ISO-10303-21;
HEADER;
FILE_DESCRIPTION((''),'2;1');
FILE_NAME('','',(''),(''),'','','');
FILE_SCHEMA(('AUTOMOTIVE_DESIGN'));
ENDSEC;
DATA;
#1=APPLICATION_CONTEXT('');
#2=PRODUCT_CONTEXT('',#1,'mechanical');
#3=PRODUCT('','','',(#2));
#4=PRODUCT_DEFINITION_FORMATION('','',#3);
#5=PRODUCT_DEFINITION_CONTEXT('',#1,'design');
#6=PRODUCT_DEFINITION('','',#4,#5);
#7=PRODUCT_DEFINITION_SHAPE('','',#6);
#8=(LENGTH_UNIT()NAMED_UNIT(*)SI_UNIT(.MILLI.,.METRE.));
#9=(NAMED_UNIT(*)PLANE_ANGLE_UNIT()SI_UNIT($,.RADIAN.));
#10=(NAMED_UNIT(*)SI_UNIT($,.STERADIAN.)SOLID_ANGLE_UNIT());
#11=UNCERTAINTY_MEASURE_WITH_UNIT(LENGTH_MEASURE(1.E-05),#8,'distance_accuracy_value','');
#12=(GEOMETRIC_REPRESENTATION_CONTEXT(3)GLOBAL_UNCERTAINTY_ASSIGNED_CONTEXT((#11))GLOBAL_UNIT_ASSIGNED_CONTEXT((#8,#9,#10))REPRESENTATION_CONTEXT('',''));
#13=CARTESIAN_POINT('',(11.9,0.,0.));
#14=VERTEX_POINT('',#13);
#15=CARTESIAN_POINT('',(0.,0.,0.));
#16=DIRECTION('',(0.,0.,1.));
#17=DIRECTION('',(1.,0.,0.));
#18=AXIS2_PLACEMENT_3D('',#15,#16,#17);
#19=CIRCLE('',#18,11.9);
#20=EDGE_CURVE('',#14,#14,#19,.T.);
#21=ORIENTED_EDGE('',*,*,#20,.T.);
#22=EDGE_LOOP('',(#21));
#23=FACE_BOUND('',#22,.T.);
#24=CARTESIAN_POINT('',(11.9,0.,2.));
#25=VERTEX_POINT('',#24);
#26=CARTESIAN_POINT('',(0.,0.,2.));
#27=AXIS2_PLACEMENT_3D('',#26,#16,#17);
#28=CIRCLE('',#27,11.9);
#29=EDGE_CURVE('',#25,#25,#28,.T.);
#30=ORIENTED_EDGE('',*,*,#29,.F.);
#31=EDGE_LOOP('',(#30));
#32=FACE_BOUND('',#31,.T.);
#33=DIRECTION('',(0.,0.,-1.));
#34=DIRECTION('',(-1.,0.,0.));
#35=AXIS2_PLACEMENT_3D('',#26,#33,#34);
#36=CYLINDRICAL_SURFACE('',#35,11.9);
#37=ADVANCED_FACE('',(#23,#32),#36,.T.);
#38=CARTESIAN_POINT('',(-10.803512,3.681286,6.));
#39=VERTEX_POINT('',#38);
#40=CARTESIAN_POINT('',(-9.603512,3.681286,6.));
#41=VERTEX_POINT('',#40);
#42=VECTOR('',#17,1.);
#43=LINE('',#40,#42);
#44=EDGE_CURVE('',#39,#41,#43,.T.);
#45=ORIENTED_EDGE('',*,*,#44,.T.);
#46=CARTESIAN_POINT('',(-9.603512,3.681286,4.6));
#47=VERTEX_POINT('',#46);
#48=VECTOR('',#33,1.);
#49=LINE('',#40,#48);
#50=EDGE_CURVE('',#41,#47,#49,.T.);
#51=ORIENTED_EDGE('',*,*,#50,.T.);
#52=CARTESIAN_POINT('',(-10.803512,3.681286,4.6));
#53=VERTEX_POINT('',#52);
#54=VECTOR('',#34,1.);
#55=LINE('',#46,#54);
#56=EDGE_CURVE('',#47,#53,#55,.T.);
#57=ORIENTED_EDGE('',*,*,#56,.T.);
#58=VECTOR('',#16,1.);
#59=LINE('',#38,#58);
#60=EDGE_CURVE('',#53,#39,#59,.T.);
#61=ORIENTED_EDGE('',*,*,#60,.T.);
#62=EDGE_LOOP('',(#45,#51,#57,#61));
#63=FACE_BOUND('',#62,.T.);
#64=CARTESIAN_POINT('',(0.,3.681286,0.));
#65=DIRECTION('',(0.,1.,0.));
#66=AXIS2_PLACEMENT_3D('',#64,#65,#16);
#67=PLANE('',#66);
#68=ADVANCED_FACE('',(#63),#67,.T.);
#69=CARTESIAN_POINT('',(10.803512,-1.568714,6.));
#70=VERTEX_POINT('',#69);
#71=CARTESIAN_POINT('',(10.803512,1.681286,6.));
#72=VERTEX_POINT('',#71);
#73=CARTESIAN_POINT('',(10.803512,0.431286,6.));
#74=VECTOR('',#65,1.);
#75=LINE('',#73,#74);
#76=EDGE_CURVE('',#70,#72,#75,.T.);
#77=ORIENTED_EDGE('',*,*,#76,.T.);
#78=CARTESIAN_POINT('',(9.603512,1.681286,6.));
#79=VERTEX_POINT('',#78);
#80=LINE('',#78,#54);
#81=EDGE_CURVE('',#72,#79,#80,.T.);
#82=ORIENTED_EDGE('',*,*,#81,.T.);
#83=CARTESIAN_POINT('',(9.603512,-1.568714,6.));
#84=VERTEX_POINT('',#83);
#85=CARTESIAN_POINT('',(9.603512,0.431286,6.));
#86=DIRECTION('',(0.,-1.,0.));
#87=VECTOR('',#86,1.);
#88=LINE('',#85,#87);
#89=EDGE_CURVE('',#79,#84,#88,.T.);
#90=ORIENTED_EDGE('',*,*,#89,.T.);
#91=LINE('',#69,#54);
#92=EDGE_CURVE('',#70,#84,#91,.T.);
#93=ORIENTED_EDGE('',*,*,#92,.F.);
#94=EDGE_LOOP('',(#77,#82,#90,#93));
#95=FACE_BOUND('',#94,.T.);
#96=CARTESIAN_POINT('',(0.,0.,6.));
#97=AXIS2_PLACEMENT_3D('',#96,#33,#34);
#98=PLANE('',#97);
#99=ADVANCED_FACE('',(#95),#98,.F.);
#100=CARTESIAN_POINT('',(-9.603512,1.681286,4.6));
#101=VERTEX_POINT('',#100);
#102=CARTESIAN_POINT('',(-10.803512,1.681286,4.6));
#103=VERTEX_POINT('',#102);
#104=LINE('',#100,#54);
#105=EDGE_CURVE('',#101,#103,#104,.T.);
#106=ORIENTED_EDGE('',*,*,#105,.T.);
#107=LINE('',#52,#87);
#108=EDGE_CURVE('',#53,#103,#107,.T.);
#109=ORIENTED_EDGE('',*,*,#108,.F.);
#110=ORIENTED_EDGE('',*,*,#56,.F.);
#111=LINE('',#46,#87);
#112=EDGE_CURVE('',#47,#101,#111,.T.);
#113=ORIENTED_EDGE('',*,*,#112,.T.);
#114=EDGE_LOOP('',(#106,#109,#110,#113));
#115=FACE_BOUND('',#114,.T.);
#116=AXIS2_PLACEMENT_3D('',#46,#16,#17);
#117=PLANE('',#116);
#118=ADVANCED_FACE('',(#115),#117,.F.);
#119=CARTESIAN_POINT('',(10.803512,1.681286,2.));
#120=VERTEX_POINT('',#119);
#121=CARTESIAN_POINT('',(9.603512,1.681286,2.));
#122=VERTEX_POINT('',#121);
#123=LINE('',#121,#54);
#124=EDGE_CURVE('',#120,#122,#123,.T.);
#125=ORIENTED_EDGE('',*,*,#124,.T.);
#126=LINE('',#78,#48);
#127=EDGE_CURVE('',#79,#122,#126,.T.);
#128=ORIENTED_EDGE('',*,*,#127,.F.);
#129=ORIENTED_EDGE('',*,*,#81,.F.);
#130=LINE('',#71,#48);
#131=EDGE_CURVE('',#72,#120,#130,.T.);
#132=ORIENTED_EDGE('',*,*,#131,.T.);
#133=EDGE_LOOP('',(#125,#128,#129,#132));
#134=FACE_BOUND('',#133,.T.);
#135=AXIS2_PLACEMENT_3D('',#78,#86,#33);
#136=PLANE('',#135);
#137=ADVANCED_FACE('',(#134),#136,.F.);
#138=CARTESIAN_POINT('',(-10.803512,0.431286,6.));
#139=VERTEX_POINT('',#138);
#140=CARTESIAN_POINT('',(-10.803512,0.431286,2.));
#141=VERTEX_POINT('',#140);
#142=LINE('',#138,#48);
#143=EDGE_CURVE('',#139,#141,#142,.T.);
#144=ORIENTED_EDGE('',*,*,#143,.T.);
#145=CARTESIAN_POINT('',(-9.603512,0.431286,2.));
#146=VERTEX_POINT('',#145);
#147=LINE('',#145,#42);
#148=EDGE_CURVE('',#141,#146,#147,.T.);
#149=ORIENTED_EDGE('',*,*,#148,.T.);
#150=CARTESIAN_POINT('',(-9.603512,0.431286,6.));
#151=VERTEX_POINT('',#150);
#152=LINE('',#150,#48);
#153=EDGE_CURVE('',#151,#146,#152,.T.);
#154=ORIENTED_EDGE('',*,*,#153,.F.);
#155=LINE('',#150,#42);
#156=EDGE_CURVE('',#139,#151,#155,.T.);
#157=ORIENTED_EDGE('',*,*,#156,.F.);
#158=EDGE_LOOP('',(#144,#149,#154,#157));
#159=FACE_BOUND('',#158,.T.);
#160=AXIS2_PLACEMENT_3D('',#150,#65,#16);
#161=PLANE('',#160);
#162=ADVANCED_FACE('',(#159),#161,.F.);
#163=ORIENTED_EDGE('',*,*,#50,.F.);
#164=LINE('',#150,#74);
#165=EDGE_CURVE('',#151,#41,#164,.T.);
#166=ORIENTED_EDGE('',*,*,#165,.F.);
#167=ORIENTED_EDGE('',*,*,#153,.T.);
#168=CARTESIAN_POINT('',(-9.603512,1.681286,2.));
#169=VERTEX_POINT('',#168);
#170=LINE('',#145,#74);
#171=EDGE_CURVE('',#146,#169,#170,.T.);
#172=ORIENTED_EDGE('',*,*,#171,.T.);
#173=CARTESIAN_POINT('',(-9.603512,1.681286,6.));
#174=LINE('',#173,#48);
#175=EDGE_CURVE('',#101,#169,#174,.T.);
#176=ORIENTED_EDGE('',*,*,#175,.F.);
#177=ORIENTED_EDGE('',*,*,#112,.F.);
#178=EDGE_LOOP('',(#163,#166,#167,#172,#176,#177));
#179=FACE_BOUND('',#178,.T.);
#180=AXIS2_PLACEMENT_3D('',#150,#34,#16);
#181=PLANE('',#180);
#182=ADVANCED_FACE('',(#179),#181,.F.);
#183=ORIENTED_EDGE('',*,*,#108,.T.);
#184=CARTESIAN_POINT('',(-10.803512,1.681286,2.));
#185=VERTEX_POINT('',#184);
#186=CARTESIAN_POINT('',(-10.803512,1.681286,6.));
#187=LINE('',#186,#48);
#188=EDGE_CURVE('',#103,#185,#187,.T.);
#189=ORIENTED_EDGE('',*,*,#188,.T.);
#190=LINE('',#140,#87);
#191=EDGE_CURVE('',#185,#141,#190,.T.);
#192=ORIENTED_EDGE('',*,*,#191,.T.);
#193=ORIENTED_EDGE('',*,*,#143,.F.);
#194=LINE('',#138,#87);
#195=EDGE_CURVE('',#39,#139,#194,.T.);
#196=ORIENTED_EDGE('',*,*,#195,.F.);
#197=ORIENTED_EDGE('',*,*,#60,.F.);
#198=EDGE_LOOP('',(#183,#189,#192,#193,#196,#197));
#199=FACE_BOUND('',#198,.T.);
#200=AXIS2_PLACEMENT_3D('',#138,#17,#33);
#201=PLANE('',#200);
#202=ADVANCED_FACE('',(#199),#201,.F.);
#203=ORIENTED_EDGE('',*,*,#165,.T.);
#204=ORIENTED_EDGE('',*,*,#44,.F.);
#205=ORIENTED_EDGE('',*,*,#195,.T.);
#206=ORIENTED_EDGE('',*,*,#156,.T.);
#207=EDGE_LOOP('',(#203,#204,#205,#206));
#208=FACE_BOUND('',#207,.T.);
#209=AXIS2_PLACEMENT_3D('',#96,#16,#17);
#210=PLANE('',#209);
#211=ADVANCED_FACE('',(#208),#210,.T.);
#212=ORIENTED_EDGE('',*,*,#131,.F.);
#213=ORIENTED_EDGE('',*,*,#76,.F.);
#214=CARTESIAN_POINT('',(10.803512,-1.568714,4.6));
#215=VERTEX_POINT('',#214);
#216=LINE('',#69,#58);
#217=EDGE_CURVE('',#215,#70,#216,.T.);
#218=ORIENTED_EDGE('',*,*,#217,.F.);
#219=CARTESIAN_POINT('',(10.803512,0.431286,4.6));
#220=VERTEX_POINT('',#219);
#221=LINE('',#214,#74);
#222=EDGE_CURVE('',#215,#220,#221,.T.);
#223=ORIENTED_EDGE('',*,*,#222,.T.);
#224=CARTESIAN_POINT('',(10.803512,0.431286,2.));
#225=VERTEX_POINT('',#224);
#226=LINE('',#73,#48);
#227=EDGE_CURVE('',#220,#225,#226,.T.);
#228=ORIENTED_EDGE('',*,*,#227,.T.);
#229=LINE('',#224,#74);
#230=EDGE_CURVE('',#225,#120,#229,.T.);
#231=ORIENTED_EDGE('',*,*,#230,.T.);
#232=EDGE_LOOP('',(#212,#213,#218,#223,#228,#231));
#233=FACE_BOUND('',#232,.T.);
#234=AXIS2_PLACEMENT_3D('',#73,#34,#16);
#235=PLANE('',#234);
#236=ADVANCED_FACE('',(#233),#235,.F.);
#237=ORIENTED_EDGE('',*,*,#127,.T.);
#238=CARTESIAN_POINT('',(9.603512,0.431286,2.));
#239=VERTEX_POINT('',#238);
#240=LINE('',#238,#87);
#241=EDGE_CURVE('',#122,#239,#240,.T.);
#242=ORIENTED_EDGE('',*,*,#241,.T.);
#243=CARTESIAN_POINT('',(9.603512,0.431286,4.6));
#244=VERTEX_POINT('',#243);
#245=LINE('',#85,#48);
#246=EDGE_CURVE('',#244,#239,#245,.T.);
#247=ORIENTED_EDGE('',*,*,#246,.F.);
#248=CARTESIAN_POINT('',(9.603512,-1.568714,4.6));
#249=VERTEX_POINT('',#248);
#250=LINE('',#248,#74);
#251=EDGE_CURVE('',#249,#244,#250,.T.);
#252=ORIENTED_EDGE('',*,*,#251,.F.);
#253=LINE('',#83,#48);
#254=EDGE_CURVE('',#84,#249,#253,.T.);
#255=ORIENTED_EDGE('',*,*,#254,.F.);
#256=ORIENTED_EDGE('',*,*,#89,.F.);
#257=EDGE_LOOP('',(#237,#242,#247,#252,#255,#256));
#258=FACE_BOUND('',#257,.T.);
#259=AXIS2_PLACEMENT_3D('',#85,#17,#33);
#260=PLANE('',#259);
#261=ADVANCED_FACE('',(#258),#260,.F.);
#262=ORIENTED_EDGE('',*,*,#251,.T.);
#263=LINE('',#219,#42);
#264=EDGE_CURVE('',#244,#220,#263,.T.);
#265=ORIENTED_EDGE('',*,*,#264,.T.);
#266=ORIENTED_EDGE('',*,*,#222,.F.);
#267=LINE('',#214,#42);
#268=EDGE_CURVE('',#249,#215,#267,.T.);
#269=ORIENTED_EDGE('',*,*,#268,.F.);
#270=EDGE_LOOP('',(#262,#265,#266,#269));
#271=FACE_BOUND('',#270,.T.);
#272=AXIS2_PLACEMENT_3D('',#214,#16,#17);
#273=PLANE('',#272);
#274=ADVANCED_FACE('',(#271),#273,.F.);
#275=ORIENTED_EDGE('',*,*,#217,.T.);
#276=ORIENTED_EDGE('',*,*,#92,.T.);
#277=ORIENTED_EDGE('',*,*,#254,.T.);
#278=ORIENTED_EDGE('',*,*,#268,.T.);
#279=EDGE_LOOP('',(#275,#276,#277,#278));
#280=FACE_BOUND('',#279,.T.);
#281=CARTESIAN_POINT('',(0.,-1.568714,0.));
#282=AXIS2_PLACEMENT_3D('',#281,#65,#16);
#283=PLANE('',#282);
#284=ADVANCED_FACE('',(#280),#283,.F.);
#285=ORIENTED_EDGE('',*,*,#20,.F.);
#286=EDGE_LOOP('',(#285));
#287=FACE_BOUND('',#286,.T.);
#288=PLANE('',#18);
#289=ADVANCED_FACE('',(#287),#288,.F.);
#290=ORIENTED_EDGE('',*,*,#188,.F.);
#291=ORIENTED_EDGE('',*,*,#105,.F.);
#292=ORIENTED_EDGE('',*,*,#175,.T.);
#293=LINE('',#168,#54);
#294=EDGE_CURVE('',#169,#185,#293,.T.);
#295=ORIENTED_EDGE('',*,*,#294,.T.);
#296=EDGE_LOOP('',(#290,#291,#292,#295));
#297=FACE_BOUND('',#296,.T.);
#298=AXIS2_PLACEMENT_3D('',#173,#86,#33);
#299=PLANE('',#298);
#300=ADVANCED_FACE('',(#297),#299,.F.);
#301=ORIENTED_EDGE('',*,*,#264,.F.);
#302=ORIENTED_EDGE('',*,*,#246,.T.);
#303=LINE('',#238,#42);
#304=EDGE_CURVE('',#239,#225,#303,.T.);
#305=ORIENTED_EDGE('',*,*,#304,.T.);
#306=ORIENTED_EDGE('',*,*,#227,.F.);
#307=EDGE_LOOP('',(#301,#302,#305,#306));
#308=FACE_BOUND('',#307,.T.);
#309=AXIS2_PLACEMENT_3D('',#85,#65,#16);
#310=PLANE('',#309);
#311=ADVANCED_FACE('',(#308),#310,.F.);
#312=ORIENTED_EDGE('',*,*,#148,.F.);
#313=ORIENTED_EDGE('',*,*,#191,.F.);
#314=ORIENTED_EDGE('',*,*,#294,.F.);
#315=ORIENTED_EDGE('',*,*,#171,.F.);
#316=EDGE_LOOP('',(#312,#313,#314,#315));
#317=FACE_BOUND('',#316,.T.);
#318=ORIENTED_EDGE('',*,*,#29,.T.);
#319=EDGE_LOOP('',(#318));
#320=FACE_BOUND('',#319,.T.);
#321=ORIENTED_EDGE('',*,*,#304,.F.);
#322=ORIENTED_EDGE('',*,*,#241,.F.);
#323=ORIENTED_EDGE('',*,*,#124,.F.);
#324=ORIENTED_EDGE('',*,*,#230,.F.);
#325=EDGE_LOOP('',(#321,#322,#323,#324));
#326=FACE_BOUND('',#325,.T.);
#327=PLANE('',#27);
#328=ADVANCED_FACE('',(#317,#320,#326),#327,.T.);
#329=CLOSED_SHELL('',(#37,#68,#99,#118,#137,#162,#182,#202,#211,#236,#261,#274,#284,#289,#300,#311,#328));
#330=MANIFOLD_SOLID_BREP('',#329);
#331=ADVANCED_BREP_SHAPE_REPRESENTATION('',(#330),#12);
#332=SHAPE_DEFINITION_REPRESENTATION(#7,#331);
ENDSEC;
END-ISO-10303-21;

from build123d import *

# Parameters (mm, degrees)
SKETCH1_R           = 11.9
BOSS_EXTRUDE1_DEPTH = 2
SKETCH2_W           = 1.2
SKETCH2_H           = 1.25
BOSS_EXTRUDE2_DEPTH = 4
SKETCH3_W           = 1.2
SKETCH3_H           = 1.4
BOSS_EXTRUDE3_DEPTH = 2
SKETCH4_W           = 1.2
SKETCH4_H           = 1.4
BOSS_EXTRUDE4_DEPTH = 2


with BuildPart() as part:
    # Sketch1 → Boss-Extrude1 (new body)
    with BuildSketch(Plane.XY):
        Circle(SKETCH1_R)
    extrude(amount=BOSS_EXTRUDE1_DEPTH)

    # Sketch2 → Boss-Extrude2 (add)
    with BuildSketch(Plane.XY.offset(2)):
        with Locations((10.203511987, 1.056286149)):
            Rectangle(SKETCH2_W, SKETCH2_H)
        with Locations((-10.203511987, 1.056286149)):
            Rectangle(SKETCH2_W, SKETCH2_H)
    extrude(amount=BOSS_EXTRUDE2_DEPTH)

    # Sketch3 → Boss-Extrude3 (add)
    with BuildSketch(Plane(origin=(0, 1.681286149, 0), x_dir=(1, 0, 0), z_dir=(0, 1, 0))):
        with Locations((-10.203511987, -5.3)):
            Rectangle(SKETCH3_W, SKETCH3_H)
    extrude(amount=BOSS_EXTRUDE3_DEPTH)

    # Sketch4 → Boss-Extrude4 (add)
    with BuildSketch(Plane.XZ.offset(-0.431286149)):
        with Locations((10.203511987, 5.3)):
            Rectangle(SKETCH4_W, SKETCH4_H)
    extrude(amount=BOSS_EXTRUDE4_DEPTH)


solid = part.part
